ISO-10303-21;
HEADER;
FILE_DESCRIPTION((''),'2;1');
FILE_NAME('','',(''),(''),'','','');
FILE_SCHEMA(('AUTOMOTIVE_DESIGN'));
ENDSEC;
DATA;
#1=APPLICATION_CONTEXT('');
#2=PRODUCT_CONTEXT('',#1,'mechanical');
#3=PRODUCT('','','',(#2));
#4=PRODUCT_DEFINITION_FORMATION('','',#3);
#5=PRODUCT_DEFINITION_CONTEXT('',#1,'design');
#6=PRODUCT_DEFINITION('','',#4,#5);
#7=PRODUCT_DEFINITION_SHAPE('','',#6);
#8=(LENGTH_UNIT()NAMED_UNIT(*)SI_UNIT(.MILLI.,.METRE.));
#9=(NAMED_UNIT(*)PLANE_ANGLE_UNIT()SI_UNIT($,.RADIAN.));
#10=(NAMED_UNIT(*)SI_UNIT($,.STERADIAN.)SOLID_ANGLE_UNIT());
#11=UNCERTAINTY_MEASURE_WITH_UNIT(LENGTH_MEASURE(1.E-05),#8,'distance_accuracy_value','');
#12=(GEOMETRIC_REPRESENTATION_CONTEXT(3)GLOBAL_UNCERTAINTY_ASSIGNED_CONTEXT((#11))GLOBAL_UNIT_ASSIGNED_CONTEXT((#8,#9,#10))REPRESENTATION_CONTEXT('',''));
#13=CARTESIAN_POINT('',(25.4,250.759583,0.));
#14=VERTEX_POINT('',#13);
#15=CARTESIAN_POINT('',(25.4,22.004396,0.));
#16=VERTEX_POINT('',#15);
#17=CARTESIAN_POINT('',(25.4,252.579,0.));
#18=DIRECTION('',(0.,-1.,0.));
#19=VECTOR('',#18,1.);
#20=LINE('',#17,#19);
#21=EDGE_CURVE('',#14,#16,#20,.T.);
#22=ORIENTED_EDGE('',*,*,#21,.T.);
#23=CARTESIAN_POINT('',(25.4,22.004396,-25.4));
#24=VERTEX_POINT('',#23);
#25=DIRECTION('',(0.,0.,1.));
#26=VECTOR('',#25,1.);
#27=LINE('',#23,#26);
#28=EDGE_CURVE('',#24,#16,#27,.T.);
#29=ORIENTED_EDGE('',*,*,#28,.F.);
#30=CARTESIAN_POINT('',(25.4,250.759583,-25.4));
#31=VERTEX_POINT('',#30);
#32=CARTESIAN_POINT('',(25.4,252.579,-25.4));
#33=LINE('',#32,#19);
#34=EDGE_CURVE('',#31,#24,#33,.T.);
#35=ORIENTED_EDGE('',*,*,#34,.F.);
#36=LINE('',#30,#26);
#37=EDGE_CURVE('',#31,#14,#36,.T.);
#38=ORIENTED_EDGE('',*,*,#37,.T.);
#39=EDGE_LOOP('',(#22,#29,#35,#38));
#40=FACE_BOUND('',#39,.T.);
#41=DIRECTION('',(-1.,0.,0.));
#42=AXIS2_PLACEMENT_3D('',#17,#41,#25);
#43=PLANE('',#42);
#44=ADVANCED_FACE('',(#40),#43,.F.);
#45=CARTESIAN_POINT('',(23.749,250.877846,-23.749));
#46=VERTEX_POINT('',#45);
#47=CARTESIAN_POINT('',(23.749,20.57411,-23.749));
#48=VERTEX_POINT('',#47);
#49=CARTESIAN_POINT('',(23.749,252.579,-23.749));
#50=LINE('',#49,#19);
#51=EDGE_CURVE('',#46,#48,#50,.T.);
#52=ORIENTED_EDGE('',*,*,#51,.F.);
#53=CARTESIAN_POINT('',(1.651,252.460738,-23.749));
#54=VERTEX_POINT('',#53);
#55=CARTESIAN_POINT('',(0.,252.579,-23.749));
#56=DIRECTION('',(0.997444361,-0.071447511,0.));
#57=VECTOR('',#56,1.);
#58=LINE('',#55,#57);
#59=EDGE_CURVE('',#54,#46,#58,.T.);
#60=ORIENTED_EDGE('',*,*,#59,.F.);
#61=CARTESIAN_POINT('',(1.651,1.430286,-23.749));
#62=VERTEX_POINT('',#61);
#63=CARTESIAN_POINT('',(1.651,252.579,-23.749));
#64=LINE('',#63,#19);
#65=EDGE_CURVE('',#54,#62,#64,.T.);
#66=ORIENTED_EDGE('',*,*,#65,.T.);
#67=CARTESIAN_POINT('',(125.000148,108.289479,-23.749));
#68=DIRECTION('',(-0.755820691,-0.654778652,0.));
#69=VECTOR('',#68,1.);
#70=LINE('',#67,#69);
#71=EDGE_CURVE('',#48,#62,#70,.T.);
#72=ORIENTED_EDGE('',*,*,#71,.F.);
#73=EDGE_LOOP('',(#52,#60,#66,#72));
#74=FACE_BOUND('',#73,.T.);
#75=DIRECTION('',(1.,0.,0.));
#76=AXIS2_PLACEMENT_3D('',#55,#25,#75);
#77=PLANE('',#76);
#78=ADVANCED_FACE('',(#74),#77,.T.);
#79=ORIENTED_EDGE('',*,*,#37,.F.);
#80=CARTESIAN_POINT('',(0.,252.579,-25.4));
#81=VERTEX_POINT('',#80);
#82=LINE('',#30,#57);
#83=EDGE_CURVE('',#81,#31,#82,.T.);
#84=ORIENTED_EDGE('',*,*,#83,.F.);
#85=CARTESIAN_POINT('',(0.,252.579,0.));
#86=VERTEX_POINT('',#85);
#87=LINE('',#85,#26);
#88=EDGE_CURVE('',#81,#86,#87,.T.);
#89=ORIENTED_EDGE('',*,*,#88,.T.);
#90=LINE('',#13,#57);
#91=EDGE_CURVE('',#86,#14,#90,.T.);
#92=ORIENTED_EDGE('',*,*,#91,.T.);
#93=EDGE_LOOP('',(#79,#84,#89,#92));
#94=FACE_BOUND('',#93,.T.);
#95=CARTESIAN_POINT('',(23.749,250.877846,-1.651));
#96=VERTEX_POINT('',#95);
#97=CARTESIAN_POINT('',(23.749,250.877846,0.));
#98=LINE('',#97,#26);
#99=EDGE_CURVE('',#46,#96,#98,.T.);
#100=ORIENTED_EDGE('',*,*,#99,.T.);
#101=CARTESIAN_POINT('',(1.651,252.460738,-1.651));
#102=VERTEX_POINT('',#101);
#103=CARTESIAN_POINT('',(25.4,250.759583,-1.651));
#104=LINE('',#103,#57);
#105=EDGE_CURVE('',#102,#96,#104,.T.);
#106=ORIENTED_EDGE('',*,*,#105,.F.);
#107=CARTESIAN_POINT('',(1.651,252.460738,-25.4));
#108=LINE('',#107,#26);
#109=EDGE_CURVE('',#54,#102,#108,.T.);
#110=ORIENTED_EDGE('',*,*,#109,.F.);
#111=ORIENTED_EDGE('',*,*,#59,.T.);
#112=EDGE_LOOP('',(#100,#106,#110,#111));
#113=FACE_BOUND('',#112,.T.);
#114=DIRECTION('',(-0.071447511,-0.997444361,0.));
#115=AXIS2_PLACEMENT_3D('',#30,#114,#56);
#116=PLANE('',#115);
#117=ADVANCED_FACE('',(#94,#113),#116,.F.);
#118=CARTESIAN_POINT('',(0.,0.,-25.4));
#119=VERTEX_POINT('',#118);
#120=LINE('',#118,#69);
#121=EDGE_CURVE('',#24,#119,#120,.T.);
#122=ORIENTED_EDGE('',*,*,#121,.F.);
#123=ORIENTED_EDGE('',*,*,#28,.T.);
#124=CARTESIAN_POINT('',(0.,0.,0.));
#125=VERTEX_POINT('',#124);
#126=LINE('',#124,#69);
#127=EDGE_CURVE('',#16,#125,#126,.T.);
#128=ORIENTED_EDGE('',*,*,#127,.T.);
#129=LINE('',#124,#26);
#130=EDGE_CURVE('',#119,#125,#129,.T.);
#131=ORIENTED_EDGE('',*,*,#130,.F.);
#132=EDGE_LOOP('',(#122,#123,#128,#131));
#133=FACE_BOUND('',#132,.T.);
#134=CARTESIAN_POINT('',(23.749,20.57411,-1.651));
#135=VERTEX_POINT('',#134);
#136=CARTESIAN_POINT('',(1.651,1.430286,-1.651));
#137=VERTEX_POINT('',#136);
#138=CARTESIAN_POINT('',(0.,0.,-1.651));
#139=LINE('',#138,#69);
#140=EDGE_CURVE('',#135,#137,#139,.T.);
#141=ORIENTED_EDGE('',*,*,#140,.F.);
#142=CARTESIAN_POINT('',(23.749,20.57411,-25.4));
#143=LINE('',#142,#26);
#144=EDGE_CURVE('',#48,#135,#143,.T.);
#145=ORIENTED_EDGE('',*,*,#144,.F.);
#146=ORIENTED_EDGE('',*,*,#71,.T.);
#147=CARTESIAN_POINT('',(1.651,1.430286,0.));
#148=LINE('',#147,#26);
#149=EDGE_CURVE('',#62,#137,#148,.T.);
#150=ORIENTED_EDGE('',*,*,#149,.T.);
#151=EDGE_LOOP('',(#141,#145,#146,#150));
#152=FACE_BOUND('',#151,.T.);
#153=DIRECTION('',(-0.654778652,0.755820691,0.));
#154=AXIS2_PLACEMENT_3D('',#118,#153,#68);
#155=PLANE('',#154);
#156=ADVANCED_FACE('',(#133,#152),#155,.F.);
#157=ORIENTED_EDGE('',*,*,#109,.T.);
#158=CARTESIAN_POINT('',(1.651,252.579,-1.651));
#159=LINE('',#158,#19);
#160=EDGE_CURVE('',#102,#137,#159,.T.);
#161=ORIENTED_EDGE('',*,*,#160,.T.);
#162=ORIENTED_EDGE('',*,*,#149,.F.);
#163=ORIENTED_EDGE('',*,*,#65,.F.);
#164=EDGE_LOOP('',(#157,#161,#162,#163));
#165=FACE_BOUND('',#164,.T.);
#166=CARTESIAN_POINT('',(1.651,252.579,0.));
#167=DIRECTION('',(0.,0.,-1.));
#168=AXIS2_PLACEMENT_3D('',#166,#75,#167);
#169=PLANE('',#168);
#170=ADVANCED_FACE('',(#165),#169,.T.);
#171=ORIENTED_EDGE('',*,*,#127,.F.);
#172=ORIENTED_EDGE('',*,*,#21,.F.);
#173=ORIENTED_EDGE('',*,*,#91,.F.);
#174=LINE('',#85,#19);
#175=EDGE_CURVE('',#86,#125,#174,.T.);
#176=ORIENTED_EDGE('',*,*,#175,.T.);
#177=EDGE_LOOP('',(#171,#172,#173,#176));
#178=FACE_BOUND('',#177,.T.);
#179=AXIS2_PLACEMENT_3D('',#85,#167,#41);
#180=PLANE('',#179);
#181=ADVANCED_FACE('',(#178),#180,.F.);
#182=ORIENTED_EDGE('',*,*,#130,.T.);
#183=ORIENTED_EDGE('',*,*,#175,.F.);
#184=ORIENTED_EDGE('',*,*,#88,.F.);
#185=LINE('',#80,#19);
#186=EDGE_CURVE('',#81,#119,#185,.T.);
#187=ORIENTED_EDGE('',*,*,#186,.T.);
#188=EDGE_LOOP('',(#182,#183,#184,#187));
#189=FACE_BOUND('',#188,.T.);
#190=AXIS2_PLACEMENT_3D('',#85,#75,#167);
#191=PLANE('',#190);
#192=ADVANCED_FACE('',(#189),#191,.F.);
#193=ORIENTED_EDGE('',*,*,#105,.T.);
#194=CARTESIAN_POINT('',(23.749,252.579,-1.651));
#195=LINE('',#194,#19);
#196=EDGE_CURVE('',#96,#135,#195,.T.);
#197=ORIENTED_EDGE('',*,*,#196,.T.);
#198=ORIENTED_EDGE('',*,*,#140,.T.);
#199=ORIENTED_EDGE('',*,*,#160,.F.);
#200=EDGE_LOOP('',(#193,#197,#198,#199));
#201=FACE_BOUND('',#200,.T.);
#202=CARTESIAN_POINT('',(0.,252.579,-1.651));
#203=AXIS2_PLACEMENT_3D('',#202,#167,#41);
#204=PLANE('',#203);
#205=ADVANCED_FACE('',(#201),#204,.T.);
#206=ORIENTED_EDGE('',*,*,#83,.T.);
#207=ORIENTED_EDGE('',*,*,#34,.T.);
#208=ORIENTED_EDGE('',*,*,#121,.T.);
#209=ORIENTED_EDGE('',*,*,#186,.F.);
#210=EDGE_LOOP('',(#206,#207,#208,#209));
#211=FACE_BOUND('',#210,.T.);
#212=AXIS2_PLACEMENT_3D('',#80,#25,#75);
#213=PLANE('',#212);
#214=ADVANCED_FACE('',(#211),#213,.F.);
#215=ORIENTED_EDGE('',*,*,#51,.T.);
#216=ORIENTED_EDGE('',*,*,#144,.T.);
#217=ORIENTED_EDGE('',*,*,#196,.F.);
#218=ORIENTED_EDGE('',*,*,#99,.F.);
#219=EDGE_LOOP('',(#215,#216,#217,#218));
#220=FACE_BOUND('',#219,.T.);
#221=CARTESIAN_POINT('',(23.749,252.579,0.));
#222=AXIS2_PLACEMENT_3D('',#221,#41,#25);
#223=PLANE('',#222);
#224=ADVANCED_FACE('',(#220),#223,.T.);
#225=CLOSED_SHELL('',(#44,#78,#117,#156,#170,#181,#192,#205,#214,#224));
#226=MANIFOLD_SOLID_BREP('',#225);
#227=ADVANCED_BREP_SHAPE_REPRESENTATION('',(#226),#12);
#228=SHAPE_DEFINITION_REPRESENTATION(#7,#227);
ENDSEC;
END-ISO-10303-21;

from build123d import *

# Parameters (mm, degrees)
SKETCH4_W           = 25.4
SKETCH4_H           = 25.4
BOSS_EXTRUDE1_DEPTH = 252.579
CUT_EXTRUDE1_DEPTH  = 256.120503372
CUT_EXTRUDE2_DEPTH  = 256.120503372
SHELL1_T            = -1.651


with BuildPart() as part:
    # Sketch4 → Boss-Extrude1 (new body)
    with BuildSketch(Plane(origin=(0, 0, 0), x_dir=(1, 0, 0), z_dir=(0, 1, 0))):
        with Locations((12.7, 12.7)):
            Rectangle(SKETCH4_W, SKETCH4_H)
    extrude(amount=BOSS_EXTRUDE1_DEPTH)

    # Sketch5 → Cut-Extrude1 (cut, through all)
    with BuildSketch(Plane.XY):
        Polygon((0, 252.579), (25.4, 252.579), (25.4, 250.759583461), align=None)
    extrude(amount=-CUT_EXTRUDE1_DEPTH, mode=Mode.SUBTRACT)

    # Sketch6 → Cut-Extrude2 (cut, through all)
    with BuildSketch(Plane.XY):
        Polygon((0, 0), (25.4, 22.004395982), (25.4, 0), align=None)
    extrude(amount=-CUT_EXTRUDE2_DEPTH, mode=Mode.SUBTRACT)

    # Shell1
    shell1_openings = [part.faces().sort_by_distance(p)[0] for p in [
        (12.7, 251.669291731, -12.7),
        (12.7, 11.002197991, -12.7),
    ]]
    offset(amount=SHELL1_T, openings=shell1_openings, kind=Kind.INTERSECTION)


solid = part.part
